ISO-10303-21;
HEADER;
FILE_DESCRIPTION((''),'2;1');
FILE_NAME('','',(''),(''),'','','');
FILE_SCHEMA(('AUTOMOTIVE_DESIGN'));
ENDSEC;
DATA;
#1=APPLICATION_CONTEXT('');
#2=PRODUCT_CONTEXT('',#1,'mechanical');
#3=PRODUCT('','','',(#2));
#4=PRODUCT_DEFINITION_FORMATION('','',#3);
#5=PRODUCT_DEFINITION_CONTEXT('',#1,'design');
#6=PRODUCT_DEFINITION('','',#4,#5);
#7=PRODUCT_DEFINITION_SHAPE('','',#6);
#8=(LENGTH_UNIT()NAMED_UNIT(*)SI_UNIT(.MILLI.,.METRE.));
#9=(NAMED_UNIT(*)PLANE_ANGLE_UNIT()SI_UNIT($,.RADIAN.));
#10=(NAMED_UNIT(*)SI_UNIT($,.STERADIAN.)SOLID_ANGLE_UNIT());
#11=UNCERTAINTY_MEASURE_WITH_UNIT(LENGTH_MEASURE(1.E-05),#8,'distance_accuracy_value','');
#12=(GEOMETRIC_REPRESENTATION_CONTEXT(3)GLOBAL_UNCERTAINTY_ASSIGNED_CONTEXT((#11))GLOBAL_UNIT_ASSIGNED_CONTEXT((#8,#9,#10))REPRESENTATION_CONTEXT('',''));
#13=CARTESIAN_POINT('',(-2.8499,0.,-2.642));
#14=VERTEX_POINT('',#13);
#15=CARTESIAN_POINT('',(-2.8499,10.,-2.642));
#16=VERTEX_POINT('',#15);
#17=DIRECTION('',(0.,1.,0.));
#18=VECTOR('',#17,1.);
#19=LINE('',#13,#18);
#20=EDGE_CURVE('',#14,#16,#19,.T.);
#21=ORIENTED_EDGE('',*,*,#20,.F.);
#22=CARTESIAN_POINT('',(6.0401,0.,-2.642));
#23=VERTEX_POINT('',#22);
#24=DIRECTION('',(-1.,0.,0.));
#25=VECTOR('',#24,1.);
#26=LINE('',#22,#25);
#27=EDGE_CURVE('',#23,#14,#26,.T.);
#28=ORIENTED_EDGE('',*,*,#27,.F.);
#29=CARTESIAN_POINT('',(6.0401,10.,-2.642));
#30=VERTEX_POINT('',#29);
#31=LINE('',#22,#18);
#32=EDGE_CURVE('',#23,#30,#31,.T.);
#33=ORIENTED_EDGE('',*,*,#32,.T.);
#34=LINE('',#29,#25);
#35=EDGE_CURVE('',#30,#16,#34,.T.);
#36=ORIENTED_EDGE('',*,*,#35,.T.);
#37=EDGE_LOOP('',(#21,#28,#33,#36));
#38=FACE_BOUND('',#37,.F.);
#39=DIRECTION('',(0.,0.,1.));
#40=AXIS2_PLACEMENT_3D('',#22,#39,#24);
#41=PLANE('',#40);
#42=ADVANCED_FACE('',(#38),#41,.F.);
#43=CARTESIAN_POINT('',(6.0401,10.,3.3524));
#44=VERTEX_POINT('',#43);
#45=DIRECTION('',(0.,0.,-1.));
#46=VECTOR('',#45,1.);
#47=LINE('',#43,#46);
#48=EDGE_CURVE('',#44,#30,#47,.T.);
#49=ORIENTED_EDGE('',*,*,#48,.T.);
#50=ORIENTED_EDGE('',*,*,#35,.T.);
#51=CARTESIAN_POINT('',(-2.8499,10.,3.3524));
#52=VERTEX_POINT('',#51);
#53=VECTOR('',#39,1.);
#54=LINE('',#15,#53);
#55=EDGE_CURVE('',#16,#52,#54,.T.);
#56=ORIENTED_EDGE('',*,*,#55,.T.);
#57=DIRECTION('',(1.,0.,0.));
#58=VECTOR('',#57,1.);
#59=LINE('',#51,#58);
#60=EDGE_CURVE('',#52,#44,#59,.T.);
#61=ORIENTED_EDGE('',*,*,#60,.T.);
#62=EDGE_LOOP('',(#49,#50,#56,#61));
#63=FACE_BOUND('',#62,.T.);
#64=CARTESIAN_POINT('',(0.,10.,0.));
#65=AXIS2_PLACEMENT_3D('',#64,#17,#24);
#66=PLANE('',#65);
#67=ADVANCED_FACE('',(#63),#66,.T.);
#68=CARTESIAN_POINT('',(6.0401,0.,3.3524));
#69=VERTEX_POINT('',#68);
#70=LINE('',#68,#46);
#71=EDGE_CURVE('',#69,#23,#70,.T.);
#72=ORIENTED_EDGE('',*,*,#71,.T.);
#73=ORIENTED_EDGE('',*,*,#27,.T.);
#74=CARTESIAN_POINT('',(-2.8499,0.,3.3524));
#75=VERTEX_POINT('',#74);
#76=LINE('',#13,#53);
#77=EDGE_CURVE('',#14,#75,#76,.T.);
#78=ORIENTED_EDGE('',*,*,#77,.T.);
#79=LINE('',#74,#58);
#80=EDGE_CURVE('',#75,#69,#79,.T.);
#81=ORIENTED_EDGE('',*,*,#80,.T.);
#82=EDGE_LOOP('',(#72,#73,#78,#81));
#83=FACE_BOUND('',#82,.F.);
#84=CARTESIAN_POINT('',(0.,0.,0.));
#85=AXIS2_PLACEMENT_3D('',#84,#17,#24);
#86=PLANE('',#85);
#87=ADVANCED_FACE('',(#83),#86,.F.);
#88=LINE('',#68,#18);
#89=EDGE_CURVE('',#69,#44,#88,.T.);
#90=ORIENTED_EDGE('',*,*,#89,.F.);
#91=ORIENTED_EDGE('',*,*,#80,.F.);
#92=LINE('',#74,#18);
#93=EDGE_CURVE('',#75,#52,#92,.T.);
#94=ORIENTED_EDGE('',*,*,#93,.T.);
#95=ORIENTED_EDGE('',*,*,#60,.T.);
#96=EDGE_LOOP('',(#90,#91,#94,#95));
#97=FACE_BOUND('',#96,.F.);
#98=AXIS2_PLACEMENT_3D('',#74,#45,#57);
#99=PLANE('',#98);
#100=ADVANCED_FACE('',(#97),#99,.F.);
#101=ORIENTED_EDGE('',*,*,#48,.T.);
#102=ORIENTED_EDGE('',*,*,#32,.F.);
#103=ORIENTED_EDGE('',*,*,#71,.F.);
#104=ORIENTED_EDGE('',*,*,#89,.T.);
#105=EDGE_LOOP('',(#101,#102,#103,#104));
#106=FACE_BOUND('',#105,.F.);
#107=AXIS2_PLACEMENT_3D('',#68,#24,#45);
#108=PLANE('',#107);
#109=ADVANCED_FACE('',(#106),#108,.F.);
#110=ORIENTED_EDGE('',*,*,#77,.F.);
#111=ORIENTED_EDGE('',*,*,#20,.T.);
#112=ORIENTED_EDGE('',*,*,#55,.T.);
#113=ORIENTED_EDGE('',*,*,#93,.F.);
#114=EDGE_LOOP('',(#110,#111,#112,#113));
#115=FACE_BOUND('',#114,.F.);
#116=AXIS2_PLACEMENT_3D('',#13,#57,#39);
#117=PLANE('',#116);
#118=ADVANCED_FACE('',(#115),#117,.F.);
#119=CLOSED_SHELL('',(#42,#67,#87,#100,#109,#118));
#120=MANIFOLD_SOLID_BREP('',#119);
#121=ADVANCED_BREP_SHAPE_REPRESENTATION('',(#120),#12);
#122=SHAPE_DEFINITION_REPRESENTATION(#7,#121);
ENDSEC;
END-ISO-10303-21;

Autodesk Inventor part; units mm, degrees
ref_plane "YZ Plane" through (0, 0, 0) normal (1, 0, 0) x (0, 1, 0)
ref_plane "XZ Plane" through (0, 0, 0) normal (0, 1, 0) x (-1, 0, 0)
ref_plane "XY Plane" through (0, 0, 0) normal (0, 0, 1) x (1, 0, 0)
sketch "Sketch1" plane through (0, 0, 0) normal (0, 1, 0) x (-1, 0, 0)
  line L0 (2.8499, 3.3524) -> (-6.0401, 3.3524)
  line L1 (-6.0401, 3.3524) -> (-6.0401, -2.642)
  line L2 (-6.0401, -2.642) -> (2.8499, -2.642)
  line L3 (2.8499, -2.642) -> (2.8499, 3.3524)
  point P0 (0, 0)
  dimension "d0" = 5.9944
  dimension "d1" = 8.89
extrude "Extrusion1" add sketch "Sketch1" along normal blind 10
properties part number "UMCCBlock"
